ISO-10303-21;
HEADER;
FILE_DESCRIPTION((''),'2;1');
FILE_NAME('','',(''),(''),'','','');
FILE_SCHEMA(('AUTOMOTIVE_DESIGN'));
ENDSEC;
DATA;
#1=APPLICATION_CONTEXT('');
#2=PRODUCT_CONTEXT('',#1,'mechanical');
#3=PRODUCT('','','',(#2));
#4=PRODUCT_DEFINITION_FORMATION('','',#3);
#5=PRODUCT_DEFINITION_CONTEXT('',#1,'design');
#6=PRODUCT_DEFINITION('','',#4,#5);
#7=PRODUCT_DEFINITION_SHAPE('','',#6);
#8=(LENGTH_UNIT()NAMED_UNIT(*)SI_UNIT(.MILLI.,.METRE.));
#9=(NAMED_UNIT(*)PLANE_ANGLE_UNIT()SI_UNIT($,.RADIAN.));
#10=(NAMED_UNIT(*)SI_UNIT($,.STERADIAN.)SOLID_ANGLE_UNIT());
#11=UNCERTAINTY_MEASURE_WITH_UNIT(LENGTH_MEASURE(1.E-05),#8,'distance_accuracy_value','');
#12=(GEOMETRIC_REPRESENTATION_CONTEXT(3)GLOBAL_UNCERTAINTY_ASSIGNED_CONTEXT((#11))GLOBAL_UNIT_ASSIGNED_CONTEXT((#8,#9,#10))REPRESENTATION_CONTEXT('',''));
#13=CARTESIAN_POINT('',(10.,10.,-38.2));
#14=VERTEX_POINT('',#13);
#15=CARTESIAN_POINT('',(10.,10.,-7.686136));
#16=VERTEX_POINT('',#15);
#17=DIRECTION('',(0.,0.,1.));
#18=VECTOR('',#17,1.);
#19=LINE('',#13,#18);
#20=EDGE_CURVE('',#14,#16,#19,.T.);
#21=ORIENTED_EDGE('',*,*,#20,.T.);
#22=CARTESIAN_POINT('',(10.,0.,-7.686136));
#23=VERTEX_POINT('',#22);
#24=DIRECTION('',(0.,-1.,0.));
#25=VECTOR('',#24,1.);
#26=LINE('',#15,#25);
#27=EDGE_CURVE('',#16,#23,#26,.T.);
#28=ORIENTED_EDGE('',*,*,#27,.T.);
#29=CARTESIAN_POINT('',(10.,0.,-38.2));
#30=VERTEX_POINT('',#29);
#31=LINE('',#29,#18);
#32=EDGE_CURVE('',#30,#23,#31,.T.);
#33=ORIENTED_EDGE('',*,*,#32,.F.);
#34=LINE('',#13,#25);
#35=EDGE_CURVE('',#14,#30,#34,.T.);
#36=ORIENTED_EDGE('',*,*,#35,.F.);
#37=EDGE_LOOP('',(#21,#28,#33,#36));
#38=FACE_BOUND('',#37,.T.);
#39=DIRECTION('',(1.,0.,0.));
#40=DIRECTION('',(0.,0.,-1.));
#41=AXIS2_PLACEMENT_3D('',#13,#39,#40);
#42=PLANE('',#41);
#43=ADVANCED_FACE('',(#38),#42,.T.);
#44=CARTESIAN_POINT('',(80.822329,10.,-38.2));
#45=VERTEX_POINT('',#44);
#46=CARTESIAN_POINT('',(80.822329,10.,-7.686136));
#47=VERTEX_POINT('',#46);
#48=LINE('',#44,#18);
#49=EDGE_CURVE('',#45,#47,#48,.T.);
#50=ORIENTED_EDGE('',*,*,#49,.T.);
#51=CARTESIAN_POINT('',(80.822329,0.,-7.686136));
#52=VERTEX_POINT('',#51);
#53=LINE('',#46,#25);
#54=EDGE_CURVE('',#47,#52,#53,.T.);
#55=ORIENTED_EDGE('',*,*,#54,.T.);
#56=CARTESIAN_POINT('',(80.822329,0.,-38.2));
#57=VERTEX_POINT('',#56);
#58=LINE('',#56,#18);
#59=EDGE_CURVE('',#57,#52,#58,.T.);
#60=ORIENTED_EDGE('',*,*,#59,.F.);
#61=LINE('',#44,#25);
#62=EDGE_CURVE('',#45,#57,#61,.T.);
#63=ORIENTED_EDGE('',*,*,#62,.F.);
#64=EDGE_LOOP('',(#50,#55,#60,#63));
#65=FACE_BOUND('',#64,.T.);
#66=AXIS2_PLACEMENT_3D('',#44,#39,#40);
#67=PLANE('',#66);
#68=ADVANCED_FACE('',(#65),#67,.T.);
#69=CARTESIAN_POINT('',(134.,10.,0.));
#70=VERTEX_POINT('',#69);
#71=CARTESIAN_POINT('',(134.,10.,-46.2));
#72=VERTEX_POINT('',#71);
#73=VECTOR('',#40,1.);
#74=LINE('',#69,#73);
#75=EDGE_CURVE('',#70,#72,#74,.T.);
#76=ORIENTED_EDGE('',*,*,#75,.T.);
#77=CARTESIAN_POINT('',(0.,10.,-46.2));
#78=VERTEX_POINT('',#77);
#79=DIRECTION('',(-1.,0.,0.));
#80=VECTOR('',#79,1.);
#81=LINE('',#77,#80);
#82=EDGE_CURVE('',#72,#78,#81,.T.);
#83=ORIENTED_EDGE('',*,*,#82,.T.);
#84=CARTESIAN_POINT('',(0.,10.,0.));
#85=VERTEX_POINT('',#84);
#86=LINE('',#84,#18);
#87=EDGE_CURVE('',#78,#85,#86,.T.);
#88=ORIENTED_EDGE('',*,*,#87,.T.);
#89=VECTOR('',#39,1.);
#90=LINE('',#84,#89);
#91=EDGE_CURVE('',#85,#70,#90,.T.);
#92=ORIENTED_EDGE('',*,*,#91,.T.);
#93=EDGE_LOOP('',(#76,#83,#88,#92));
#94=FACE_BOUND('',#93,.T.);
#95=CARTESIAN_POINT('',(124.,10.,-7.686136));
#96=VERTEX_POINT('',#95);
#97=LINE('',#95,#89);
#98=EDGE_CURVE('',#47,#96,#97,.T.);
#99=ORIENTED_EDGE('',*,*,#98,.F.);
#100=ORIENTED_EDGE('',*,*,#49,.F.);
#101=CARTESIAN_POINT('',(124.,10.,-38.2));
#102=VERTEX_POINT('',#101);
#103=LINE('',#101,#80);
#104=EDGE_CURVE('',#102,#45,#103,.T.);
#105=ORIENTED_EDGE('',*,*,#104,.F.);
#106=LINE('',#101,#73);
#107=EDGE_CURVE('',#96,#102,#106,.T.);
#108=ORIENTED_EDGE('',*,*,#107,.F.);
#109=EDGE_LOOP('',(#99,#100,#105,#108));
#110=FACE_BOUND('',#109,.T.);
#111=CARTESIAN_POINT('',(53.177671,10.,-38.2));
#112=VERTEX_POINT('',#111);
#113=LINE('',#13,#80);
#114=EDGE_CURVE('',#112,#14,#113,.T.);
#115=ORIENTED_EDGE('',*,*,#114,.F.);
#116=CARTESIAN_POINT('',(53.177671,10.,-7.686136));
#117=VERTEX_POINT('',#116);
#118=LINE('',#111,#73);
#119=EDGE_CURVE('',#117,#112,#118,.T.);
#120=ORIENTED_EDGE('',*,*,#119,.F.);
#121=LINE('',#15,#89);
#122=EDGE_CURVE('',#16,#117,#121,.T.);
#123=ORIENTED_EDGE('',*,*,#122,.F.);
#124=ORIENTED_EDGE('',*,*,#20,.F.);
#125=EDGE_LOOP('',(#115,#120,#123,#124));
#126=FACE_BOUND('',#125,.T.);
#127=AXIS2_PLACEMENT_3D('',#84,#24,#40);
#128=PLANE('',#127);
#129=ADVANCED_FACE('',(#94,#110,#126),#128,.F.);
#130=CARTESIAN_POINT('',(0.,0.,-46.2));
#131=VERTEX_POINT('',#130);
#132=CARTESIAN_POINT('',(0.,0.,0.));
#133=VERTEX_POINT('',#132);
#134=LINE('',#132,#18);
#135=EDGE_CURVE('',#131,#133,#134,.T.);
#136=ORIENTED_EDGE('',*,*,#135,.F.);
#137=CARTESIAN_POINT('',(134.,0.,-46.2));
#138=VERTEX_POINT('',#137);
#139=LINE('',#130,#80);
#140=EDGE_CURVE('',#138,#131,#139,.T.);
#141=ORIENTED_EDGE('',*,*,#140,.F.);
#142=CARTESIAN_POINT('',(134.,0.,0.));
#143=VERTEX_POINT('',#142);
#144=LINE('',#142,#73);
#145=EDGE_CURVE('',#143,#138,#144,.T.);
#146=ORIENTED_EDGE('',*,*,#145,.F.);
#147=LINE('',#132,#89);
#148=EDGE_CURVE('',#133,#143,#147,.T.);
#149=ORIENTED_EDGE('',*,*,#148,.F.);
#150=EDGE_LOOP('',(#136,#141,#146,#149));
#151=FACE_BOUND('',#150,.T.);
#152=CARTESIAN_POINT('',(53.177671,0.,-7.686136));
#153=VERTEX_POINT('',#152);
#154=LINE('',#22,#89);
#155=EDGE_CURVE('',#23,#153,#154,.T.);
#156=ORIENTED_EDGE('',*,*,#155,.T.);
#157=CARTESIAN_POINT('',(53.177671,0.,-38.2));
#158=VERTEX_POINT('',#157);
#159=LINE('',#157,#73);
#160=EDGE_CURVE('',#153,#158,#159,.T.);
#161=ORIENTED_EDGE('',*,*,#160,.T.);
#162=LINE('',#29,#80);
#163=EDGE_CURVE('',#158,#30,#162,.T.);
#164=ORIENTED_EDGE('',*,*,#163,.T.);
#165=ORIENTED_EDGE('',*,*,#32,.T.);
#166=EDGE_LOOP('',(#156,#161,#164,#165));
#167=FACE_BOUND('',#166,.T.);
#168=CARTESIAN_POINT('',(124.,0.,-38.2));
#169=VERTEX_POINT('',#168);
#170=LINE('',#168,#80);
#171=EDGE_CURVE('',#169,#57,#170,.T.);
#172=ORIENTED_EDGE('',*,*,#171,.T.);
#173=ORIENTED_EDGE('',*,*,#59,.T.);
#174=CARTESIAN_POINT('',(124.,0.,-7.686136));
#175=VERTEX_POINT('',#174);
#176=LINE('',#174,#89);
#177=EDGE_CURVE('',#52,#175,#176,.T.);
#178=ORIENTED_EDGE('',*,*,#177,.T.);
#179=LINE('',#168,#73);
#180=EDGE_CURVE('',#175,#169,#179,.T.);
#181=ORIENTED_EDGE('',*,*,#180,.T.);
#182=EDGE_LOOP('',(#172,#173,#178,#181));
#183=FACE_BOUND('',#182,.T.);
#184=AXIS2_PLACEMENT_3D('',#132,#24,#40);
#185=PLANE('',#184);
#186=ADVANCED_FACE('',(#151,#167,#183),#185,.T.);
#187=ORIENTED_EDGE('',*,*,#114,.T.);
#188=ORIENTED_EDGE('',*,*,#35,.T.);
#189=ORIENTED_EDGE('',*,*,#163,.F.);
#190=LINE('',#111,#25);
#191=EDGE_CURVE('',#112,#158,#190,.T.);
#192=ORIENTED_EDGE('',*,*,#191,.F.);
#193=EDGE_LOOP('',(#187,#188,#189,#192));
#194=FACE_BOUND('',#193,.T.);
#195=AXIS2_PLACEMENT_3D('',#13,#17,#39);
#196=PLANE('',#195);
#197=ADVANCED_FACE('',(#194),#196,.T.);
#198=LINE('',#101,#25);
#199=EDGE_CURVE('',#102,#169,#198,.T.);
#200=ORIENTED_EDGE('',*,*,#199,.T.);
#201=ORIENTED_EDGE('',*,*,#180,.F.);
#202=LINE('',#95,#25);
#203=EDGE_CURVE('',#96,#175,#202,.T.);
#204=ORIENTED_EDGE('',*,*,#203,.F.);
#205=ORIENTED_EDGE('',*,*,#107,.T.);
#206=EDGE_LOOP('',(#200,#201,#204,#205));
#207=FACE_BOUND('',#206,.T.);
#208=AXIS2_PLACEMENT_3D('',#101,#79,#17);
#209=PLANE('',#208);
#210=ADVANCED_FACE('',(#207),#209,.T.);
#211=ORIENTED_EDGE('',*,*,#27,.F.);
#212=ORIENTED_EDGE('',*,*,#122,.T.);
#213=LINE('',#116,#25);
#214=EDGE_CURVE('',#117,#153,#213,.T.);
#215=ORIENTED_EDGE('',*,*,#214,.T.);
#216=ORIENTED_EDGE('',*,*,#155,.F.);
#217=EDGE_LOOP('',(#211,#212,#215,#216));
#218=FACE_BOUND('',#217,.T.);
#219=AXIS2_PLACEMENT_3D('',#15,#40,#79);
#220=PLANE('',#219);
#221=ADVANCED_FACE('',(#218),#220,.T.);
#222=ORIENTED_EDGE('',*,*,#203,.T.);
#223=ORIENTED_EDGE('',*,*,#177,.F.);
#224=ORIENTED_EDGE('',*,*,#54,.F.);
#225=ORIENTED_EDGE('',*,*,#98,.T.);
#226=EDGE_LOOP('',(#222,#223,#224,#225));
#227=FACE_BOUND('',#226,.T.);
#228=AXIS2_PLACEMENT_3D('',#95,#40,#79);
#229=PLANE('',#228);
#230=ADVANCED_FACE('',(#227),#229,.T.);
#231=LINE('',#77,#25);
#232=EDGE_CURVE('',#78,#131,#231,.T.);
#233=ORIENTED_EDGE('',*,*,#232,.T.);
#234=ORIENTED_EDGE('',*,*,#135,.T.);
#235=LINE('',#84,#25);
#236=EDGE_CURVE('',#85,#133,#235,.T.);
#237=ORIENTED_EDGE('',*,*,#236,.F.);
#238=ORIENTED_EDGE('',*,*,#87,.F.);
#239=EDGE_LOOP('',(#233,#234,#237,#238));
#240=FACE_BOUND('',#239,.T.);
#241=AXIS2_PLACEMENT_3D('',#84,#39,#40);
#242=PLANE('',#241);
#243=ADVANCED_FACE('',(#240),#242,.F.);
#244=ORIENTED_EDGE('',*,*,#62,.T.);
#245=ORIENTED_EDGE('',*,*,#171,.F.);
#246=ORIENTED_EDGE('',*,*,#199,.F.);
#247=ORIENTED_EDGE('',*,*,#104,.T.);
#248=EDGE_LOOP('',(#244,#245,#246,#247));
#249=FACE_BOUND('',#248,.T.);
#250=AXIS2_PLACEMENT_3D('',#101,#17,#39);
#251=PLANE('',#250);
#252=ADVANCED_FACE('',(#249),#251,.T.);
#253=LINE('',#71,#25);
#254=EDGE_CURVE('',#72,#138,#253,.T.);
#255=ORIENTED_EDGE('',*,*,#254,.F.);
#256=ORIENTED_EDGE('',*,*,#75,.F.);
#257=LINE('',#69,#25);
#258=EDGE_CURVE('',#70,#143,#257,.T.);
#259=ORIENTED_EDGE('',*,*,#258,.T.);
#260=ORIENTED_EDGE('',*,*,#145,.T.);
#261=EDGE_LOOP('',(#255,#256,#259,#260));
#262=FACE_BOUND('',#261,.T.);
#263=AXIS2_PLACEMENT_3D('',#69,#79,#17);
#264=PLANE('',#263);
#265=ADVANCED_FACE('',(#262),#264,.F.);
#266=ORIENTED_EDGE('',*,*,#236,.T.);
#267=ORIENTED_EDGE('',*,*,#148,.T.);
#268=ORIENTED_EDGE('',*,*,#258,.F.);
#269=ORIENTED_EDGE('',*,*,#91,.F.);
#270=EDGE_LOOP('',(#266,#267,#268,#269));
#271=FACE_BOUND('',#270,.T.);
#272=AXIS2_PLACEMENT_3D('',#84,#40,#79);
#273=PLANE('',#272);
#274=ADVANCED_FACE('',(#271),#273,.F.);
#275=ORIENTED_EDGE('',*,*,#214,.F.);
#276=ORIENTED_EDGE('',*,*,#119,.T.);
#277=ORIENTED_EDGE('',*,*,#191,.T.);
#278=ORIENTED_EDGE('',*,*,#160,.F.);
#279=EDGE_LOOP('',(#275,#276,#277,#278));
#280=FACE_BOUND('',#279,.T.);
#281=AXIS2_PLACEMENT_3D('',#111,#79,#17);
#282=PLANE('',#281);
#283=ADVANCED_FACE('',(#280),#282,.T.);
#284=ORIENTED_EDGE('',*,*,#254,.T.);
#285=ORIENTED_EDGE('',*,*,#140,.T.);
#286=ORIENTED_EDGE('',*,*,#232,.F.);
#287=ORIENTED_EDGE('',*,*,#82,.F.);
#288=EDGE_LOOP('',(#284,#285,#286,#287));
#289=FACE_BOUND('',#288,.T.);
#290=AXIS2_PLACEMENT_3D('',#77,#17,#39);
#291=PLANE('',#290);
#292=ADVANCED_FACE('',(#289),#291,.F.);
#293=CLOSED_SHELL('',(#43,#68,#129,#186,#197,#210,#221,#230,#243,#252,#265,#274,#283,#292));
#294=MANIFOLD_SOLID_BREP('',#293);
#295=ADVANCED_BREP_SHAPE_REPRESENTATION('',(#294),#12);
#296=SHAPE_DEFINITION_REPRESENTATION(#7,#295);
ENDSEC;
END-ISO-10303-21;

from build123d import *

# Parameters (mm, degrees)
CROQUIS1_W              = 134
CROQUIS1_H              = 46.2
CROQUIS1_W_2            = 43.177671481
CROQUIS1_H_2            = 30.51386392
SALIENTE_EXTRUIR2_DEPTH = 10


with BuildPart() as part:
    # Croquis1 → Saliente-Extruir2 (new body)
    with BuildSketch(Plane(origin=(0, 0, 0), x_dir=(1, 0, 0), z_dir=(0, 1, 0))):
        with Locations((67, 23.1)):
            Rectangle(CROQUIS1_W, CROQUIS1_H)
        with Locations((31.588835741, 22.94306804)):
            Rectangle(CROQUIS1_W_2, CROQUIS1_H_2, mode=Mode.SUBTRACT)
        with Locations((102.41116426, 22.94306804)):
            Rectangle(CROQUIS1_W_2, CROQUIS1_H_2, mode=Mode.SUBTRACT)
    extrude(amount=SALIENTE_EXTRUIR2_DEPTH)


solid = part.part
